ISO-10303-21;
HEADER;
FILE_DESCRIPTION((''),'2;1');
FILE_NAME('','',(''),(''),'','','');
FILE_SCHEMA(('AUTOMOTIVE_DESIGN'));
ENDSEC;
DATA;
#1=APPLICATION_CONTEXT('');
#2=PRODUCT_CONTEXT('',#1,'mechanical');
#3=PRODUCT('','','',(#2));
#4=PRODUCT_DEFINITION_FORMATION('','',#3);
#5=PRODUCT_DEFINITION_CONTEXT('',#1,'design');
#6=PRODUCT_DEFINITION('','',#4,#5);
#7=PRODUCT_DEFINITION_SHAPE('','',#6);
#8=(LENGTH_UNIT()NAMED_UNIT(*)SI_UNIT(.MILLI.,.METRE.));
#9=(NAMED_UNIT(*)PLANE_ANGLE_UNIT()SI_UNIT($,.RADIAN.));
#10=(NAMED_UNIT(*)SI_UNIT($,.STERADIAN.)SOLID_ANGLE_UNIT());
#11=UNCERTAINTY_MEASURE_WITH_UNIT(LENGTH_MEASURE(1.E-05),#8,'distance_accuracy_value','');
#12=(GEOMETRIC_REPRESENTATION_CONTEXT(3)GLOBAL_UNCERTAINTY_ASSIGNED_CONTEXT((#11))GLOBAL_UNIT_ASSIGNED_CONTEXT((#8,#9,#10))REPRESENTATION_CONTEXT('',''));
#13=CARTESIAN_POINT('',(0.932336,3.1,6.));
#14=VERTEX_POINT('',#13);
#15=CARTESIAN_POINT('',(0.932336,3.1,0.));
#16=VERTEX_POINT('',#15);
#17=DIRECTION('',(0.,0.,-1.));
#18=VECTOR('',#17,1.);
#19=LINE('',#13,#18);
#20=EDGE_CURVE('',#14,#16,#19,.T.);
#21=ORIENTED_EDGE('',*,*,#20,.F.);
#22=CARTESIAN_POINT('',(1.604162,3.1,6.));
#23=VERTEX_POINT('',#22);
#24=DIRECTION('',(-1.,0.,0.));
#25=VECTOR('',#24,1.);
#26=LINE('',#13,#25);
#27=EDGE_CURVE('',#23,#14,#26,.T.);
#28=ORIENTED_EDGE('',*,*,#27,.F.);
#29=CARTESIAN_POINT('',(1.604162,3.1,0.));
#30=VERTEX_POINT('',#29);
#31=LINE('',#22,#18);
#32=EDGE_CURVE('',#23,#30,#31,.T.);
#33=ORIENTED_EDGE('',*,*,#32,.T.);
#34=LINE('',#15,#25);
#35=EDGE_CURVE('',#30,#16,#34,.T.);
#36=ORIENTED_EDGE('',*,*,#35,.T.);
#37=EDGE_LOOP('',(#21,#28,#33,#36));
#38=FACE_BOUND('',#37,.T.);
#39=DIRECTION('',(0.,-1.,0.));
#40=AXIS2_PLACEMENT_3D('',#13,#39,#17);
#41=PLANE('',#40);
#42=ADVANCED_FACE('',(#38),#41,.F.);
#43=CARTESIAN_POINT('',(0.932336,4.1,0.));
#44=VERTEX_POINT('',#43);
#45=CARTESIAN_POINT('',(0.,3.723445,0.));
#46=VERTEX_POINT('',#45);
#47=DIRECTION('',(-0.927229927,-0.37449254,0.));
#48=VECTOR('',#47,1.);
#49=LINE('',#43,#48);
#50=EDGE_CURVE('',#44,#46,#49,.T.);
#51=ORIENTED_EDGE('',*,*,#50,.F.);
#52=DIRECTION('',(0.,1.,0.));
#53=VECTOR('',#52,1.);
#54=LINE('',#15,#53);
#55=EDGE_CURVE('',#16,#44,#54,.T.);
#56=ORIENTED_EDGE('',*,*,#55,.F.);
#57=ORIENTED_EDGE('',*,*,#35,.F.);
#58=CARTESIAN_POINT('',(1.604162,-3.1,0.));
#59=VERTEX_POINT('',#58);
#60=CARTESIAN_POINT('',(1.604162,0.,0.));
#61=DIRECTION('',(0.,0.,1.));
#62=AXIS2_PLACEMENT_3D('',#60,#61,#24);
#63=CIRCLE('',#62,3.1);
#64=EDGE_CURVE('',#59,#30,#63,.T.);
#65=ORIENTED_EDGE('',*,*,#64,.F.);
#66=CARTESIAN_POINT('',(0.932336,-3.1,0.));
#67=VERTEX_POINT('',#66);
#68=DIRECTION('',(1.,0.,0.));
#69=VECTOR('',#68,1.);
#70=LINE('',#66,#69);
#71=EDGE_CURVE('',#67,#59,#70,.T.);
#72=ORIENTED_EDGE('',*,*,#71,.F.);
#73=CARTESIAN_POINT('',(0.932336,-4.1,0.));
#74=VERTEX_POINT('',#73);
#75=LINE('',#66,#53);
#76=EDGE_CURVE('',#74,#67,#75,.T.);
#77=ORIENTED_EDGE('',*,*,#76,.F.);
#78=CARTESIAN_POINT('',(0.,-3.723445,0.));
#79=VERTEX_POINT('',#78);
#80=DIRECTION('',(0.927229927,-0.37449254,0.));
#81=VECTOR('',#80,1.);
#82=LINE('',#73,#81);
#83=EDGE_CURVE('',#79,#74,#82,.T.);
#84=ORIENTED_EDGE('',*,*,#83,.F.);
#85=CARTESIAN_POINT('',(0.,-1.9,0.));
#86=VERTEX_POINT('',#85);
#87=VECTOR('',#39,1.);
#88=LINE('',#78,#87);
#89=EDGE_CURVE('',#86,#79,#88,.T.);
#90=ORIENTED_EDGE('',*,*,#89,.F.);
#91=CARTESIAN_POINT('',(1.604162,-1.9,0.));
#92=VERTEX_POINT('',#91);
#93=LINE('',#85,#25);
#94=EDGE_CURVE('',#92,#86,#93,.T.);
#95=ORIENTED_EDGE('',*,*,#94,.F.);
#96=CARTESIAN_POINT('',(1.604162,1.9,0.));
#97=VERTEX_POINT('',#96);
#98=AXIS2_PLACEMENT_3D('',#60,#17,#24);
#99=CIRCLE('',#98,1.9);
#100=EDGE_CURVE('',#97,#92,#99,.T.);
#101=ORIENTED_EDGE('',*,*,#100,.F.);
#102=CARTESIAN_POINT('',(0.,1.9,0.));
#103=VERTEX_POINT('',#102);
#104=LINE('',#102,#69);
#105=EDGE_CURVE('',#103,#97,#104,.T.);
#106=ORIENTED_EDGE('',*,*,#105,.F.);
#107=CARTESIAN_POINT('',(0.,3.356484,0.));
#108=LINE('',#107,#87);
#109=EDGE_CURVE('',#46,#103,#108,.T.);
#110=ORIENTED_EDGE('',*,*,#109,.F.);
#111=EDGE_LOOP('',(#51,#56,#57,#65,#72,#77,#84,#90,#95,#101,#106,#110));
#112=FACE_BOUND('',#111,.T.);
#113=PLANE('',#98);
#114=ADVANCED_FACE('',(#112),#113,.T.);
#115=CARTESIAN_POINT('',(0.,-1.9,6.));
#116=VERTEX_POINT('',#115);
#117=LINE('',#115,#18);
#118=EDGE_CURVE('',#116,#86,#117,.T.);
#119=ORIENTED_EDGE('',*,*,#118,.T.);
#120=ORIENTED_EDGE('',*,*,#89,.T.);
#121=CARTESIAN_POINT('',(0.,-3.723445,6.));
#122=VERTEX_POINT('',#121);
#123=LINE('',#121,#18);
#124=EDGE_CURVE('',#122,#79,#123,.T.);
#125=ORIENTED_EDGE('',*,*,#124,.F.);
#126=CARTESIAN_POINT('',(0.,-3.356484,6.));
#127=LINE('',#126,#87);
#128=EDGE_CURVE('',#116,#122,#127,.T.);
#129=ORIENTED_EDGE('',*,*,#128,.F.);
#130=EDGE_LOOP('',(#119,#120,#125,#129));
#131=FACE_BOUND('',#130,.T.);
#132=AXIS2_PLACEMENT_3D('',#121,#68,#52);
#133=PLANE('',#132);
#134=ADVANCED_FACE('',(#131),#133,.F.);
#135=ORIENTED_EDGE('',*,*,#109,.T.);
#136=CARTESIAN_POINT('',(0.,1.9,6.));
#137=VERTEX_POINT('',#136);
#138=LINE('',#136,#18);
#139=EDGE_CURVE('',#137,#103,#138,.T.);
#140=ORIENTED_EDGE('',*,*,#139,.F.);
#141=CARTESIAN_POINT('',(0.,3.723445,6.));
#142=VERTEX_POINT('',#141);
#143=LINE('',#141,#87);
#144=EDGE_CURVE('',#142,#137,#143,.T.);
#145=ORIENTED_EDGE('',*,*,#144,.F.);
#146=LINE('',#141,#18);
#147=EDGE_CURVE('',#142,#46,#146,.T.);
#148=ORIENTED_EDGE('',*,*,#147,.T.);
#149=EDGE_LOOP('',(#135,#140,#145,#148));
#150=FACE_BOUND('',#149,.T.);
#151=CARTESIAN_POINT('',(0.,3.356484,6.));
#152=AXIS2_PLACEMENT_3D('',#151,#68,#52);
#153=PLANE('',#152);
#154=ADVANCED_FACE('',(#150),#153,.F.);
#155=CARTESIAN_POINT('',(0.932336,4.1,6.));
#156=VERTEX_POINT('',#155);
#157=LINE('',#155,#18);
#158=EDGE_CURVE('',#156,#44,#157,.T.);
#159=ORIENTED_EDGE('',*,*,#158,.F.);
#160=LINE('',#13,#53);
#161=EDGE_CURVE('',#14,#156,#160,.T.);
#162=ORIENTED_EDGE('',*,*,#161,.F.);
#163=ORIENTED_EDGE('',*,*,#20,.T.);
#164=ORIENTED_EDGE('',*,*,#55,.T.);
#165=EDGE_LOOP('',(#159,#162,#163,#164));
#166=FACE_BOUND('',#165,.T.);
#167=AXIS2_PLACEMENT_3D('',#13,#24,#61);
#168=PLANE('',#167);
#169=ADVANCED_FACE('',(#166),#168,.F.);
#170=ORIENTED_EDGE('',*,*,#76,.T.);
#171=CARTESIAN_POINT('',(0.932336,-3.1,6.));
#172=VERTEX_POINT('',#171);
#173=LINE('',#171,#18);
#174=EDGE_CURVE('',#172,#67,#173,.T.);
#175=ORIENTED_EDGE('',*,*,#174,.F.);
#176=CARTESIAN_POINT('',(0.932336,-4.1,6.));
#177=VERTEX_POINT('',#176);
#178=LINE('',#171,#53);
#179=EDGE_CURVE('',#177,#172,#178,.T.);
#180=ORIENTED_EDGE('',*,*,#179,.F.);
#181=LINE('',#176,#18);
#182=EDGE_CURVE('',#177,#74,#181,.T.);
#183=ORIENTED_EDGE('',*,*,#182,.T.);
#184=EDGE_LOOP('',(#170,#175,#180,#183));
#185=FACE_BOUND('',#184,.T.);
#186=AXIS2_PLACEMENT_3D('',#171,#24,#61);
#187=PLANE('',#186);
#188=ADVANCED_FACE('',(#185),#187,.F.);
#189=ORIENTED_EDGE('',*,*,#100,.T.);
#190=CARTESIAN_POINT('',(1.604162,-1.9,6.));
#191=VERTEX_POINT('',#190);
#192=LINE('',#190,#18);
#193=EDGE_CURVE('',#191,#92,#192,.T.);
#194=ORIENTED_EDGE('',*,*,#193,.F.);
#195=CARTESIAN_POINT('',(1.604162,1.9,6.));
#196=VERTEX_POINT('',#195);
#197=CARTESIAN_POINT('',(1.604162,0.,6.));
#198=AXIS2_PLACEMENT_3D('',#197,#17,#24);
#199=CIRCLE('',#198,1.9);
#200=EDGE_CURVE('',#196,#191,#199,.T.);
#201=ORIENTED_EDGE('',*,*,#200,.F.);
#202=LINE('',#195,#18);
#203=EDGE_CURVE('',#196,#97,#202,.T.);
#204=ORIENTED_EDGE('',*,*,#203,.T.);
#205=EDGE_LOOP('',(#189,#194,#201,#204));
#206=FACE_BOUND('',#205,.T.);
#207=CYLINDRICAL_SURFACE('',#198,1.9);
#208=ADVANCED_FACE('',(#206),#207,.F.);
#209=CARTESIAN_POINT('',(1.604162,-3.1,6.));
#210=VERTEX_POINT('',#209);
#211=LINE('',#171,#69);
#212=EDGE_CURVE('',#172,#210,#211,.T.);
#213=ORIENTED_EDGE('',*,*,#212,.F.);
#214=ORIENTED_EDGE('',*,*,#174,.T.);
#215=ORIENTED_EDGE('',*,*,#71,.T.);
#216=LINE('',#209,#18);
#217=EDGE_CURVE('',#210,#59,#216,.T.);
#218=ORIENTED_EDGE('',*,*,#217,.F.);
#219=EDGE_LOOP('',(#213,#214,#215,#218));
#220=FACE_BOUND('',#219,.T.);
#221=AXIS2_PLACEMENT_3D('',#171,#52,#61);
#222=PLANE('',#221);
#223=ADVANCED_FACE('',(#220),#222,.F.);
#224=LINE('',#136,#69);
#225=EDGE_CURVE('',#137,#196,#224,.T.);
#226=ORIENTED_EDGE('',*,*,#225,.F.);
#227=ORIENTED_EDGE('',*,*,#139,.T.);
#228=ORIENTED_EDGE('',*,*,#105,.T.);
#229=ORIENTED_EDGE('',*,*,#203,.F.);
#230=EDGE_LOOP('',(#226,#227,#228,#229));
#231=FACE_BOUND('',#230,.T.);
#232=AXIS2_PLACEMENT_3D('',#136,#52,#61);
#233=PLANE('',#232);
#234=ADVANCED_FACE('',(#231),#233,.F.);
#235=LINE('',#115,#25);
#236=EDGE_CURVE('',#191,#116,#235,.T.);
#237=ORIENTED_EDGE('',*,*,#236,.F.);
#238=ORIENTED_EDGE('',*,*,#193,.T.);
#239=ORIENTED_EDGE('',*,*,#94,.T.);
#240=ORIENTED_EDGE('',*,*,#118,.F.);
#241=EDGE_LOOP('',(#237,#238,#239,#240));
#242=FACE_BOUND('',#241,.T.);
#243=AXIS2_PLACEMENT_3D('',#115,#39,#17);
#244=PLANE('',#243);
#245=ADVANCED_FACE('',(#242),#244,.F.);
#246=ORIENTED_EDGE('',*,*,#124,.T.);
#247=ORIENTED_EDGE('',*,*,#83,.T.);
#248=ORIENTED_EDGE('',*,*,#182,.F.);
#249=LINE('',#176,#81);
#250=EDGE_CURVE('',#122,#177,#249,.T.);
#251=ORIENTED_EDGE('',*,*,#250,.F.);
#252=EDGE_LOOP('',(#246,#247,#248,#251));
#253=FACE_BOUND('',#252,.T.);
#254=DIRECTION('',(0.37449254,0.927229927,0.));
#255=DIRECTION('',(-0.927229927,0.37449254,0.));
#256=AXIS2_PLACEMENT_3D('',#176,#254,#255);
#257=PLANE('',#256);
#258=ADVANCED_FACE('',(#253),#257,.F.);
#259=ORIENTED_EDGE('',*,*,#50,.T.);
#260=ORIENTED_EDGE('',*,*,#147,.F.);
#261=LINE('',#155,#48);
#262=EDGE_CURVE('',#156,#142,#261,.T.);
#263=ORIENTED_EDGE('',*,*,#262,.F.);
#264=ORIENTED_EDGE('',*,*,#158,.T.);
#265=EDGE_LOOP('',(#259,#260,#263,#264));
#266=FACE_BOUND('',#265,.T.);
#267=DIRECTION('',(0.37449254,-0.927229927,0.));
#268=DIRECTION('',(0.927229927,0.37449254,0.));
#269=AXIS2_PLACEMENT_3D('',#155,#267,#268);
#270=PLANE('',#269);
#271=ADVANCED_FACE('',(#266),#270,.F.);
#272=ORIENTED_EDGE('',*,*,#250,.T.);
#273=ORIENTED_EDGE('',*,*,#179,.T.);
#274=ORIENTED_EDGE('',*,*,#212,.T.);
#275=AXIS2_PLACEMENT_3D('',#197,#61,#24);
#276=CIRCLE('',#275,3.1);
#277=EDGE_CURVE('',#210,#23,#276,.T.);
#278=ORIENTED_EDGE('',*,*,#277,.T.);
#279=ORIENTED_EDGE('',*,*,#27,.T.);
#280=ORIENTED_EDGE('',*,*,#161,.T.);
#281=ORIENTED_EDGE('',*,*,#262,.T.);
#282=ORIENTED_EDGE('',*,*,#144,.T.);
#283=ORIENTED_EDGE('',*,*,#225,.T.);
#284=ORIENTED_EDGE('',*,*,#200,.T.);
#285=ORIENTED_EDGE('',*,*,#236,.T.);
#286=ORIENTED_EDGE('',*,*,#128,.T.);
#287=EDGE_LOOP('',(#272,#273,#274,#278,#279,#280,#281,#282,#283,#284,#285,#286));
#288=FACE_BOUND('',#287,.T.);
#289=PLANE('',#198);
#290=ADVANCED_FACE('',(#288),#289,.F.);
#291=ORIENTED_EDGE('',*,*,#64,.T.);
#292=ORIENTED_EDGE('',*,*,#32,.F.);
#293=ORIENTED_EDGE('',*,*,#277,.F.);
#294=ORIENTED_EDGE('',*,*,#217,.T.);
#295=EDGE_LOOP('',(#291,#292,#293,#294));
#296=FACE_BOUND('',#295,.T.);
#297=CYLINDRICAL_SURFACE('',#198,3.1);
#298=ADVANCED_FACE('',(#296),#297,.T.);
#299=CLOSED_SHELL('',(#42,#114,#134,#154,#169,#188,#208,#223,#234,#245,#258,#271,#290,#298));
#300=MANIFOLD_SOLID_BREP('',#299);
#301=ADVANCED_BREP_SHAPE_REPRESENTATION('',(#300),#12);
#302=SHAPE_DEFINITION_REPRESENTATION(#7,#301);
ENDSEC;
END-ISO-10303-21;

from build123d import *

# Parameters (mm, degrees)
AUFSATZ_LINEAR_AUSTRAGEN1_DEPTH = 6


with BuildPart() as part:
    # Skizze1 → Aufsatz-Linear austragen1 (new body)
    with BuildSketch(Plane.XY):
        with BuildLine():
            Line((0.932336104, 3.1), (1.604162004, 3.1))
            ThreePointArc((1.604162004, 3.1), (4.704162004, 0), (1.604162004, -3.1))
            Line((1.604162004, -3.1), (0.932336104, -3.1))
            Line((0.932336104, -3.1), (0.932336104, -4.1))
            Line((0.932336104, -4.1), (0, -3.723445161))
            Line((0, -3.723445161), (0, -3.356483855))
            Line((0, -3.356483855), (0, -1.9))
            Line((0, -1.9), (1.604162004, -1.9))
            ThreePointArc((1.604162004, -1.9), (3.504162004, 0), (1.604162004, 1.9))
            Line((1.604162004, 1.9), (0, 1.9))
            Line((0, 1.9), (0, 3.356483855))
            Line((0, 3.356483855), (0, 3.723445161))
            Line((0, 3.723445161), (0.932336104, 4.1))
            Line((0.932336104, 4.1), (0.932336104, 3.1))
        make_face()
    extrude(amount=AUFSATZ_LINEAR_AUSTRAGEN1_DEPTH)


solid = part.part
